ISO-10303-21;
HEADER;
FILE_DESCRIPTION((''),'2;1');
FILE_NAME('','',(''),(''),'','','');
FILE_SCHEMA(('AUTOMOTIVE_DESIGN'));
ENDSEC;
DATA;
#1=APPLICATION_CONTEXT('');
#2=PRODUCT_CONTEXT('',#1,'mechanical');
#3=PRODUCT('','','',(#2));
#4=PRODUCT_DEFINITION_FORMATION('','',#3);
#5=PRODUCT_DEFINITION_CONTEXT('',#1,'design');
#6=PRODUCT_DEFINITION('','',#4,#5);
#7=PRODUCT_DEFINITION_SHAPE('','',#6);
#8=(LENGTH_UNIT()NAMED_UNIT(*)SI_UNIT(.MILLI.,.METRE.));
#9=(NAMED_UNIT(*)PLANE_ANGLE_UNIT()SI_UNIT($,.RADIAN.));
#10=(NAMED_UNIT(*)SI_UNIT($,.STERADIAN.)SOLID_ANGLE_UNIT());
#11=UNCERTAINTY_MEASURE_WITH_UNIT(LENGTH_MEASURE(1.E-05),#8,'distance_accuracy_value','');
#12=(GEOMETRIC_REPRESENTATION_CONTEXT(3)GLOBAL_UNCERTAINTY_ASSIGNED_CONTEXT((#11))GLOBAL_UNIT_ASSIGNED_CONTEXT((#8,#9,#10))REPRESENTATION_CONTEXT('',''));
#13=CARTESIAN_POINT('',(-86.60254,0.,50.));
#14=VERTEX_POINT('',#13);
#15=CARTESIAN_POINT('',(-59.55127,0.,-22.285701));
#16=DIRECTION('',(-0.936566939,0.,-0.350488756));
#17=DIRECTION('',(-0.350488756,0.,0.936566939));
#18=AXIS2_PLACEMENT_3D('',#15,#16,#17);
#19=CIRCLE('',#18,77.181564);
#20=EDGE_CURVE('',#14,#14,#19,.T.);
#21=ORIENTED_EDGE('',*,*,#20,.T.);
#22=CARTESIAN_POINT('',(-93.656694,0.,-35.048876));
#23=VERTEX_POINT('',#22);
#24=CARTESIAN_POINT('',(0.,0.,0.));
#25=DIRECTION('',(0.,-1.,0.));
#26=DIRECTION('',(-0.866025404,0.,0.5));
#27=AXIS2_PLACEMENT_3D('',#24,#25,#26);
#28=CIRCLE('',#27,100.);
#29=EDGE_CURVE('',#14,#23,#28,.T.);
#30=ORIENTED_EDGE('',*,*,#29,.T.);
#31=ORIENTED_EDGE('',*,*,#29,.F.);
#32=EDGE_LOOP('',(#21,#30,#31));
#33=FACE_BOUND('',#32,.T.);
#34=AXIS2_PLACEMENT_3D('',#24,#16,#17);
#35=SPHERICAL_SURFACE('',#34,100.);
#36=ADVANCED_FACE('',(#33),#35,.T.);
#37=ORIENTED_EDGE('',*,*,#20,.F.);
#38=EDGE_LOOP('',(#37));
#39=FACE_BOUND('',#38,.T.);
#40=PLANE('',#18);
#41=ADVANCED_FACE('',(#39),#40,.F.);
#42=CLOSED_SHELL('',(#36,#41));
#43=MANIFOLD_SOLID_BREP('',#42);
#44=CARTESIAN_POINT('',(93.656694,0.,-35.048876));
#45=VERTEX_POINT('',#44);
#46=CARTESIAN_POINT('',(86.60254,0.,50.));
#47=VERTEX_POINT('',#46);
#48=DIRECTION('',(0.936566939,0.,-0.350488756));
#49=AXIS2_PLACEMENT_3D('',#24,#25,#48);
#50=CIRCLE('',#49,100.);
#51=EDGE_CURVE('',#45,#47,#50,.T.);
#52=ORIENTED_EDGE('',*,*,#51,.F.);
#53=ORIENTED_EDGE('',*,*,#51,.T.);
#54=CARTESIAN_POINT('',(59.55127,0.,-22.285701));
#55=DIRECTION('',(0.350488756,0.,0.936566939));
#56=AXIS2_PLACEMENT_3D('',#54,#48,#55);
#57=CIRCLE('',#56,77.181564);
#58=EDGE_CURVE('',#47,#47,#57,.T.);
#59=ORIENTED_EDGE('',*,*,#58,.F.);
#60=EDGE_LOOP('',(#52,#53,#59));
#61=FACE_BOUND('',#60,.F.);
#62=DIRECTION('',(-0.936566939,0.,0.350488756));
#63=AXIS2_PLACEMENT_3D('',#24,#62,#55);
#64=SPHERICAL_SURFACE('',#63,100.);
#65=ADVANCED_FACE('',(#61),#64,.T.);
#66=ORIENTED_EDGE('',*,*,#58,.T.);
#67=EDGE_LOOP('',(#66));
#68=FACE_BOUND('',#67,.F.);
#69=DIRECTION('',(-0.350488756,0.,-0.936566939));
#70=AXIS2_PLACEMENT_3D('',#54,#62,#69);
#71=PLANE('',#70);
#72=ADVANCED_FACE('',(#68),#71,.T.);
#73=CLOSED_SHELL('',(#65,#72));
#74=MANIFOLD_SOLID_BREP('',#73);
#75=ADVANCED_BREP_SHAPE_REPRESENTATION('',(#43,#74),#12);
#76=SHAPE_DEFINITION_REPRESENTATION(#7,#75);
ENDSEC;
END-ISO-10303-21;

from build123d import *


with BuildPart() as f2:
    # F1 (on Front) → F2 (revolve)
    with BuildSketch(Plane.XZ):
        with BuildLine():
            Line((86.6025403784, 50), (59.5512701892, -22.2857007984))
            Line((59.5512701892, -22.2857007984), (93.6566939469, -35.0488755729))
            ThreePointArc((93.6566939469, -35.0488755729), (99.6577929665, 8.2658515018), (86.6025403784, 50))
        make_face()
    revolve(axis=Axis((76.6039820681, 0, -28.6672881857), (0.9365669395, 0, -0.3504887557)))


with BuildPart() as f3:
    # F1 (on Front) → F3 (revolve)
    with BuildSketch(Plane.XZ):
        with BuildLine():
            Line((-93.6566939469, -35.0488755729), (-59.5512701892, -22.2857007984))
            Line((-59.5512701892, -22.2857007984), (-86.6025403784, 50))
            ThreePointArc((-86.6025403784, 50), (-99.6577929665, 8.2658515018), (-93.6566939469, -35.0488755729))
        make_face()
    revolve(axis=Axis((-76.6039820681, 0, -28.6672881857), (-0.9365669395, 0, -0.3504887557)))


solid = Compound([f2.part, f3.part])
